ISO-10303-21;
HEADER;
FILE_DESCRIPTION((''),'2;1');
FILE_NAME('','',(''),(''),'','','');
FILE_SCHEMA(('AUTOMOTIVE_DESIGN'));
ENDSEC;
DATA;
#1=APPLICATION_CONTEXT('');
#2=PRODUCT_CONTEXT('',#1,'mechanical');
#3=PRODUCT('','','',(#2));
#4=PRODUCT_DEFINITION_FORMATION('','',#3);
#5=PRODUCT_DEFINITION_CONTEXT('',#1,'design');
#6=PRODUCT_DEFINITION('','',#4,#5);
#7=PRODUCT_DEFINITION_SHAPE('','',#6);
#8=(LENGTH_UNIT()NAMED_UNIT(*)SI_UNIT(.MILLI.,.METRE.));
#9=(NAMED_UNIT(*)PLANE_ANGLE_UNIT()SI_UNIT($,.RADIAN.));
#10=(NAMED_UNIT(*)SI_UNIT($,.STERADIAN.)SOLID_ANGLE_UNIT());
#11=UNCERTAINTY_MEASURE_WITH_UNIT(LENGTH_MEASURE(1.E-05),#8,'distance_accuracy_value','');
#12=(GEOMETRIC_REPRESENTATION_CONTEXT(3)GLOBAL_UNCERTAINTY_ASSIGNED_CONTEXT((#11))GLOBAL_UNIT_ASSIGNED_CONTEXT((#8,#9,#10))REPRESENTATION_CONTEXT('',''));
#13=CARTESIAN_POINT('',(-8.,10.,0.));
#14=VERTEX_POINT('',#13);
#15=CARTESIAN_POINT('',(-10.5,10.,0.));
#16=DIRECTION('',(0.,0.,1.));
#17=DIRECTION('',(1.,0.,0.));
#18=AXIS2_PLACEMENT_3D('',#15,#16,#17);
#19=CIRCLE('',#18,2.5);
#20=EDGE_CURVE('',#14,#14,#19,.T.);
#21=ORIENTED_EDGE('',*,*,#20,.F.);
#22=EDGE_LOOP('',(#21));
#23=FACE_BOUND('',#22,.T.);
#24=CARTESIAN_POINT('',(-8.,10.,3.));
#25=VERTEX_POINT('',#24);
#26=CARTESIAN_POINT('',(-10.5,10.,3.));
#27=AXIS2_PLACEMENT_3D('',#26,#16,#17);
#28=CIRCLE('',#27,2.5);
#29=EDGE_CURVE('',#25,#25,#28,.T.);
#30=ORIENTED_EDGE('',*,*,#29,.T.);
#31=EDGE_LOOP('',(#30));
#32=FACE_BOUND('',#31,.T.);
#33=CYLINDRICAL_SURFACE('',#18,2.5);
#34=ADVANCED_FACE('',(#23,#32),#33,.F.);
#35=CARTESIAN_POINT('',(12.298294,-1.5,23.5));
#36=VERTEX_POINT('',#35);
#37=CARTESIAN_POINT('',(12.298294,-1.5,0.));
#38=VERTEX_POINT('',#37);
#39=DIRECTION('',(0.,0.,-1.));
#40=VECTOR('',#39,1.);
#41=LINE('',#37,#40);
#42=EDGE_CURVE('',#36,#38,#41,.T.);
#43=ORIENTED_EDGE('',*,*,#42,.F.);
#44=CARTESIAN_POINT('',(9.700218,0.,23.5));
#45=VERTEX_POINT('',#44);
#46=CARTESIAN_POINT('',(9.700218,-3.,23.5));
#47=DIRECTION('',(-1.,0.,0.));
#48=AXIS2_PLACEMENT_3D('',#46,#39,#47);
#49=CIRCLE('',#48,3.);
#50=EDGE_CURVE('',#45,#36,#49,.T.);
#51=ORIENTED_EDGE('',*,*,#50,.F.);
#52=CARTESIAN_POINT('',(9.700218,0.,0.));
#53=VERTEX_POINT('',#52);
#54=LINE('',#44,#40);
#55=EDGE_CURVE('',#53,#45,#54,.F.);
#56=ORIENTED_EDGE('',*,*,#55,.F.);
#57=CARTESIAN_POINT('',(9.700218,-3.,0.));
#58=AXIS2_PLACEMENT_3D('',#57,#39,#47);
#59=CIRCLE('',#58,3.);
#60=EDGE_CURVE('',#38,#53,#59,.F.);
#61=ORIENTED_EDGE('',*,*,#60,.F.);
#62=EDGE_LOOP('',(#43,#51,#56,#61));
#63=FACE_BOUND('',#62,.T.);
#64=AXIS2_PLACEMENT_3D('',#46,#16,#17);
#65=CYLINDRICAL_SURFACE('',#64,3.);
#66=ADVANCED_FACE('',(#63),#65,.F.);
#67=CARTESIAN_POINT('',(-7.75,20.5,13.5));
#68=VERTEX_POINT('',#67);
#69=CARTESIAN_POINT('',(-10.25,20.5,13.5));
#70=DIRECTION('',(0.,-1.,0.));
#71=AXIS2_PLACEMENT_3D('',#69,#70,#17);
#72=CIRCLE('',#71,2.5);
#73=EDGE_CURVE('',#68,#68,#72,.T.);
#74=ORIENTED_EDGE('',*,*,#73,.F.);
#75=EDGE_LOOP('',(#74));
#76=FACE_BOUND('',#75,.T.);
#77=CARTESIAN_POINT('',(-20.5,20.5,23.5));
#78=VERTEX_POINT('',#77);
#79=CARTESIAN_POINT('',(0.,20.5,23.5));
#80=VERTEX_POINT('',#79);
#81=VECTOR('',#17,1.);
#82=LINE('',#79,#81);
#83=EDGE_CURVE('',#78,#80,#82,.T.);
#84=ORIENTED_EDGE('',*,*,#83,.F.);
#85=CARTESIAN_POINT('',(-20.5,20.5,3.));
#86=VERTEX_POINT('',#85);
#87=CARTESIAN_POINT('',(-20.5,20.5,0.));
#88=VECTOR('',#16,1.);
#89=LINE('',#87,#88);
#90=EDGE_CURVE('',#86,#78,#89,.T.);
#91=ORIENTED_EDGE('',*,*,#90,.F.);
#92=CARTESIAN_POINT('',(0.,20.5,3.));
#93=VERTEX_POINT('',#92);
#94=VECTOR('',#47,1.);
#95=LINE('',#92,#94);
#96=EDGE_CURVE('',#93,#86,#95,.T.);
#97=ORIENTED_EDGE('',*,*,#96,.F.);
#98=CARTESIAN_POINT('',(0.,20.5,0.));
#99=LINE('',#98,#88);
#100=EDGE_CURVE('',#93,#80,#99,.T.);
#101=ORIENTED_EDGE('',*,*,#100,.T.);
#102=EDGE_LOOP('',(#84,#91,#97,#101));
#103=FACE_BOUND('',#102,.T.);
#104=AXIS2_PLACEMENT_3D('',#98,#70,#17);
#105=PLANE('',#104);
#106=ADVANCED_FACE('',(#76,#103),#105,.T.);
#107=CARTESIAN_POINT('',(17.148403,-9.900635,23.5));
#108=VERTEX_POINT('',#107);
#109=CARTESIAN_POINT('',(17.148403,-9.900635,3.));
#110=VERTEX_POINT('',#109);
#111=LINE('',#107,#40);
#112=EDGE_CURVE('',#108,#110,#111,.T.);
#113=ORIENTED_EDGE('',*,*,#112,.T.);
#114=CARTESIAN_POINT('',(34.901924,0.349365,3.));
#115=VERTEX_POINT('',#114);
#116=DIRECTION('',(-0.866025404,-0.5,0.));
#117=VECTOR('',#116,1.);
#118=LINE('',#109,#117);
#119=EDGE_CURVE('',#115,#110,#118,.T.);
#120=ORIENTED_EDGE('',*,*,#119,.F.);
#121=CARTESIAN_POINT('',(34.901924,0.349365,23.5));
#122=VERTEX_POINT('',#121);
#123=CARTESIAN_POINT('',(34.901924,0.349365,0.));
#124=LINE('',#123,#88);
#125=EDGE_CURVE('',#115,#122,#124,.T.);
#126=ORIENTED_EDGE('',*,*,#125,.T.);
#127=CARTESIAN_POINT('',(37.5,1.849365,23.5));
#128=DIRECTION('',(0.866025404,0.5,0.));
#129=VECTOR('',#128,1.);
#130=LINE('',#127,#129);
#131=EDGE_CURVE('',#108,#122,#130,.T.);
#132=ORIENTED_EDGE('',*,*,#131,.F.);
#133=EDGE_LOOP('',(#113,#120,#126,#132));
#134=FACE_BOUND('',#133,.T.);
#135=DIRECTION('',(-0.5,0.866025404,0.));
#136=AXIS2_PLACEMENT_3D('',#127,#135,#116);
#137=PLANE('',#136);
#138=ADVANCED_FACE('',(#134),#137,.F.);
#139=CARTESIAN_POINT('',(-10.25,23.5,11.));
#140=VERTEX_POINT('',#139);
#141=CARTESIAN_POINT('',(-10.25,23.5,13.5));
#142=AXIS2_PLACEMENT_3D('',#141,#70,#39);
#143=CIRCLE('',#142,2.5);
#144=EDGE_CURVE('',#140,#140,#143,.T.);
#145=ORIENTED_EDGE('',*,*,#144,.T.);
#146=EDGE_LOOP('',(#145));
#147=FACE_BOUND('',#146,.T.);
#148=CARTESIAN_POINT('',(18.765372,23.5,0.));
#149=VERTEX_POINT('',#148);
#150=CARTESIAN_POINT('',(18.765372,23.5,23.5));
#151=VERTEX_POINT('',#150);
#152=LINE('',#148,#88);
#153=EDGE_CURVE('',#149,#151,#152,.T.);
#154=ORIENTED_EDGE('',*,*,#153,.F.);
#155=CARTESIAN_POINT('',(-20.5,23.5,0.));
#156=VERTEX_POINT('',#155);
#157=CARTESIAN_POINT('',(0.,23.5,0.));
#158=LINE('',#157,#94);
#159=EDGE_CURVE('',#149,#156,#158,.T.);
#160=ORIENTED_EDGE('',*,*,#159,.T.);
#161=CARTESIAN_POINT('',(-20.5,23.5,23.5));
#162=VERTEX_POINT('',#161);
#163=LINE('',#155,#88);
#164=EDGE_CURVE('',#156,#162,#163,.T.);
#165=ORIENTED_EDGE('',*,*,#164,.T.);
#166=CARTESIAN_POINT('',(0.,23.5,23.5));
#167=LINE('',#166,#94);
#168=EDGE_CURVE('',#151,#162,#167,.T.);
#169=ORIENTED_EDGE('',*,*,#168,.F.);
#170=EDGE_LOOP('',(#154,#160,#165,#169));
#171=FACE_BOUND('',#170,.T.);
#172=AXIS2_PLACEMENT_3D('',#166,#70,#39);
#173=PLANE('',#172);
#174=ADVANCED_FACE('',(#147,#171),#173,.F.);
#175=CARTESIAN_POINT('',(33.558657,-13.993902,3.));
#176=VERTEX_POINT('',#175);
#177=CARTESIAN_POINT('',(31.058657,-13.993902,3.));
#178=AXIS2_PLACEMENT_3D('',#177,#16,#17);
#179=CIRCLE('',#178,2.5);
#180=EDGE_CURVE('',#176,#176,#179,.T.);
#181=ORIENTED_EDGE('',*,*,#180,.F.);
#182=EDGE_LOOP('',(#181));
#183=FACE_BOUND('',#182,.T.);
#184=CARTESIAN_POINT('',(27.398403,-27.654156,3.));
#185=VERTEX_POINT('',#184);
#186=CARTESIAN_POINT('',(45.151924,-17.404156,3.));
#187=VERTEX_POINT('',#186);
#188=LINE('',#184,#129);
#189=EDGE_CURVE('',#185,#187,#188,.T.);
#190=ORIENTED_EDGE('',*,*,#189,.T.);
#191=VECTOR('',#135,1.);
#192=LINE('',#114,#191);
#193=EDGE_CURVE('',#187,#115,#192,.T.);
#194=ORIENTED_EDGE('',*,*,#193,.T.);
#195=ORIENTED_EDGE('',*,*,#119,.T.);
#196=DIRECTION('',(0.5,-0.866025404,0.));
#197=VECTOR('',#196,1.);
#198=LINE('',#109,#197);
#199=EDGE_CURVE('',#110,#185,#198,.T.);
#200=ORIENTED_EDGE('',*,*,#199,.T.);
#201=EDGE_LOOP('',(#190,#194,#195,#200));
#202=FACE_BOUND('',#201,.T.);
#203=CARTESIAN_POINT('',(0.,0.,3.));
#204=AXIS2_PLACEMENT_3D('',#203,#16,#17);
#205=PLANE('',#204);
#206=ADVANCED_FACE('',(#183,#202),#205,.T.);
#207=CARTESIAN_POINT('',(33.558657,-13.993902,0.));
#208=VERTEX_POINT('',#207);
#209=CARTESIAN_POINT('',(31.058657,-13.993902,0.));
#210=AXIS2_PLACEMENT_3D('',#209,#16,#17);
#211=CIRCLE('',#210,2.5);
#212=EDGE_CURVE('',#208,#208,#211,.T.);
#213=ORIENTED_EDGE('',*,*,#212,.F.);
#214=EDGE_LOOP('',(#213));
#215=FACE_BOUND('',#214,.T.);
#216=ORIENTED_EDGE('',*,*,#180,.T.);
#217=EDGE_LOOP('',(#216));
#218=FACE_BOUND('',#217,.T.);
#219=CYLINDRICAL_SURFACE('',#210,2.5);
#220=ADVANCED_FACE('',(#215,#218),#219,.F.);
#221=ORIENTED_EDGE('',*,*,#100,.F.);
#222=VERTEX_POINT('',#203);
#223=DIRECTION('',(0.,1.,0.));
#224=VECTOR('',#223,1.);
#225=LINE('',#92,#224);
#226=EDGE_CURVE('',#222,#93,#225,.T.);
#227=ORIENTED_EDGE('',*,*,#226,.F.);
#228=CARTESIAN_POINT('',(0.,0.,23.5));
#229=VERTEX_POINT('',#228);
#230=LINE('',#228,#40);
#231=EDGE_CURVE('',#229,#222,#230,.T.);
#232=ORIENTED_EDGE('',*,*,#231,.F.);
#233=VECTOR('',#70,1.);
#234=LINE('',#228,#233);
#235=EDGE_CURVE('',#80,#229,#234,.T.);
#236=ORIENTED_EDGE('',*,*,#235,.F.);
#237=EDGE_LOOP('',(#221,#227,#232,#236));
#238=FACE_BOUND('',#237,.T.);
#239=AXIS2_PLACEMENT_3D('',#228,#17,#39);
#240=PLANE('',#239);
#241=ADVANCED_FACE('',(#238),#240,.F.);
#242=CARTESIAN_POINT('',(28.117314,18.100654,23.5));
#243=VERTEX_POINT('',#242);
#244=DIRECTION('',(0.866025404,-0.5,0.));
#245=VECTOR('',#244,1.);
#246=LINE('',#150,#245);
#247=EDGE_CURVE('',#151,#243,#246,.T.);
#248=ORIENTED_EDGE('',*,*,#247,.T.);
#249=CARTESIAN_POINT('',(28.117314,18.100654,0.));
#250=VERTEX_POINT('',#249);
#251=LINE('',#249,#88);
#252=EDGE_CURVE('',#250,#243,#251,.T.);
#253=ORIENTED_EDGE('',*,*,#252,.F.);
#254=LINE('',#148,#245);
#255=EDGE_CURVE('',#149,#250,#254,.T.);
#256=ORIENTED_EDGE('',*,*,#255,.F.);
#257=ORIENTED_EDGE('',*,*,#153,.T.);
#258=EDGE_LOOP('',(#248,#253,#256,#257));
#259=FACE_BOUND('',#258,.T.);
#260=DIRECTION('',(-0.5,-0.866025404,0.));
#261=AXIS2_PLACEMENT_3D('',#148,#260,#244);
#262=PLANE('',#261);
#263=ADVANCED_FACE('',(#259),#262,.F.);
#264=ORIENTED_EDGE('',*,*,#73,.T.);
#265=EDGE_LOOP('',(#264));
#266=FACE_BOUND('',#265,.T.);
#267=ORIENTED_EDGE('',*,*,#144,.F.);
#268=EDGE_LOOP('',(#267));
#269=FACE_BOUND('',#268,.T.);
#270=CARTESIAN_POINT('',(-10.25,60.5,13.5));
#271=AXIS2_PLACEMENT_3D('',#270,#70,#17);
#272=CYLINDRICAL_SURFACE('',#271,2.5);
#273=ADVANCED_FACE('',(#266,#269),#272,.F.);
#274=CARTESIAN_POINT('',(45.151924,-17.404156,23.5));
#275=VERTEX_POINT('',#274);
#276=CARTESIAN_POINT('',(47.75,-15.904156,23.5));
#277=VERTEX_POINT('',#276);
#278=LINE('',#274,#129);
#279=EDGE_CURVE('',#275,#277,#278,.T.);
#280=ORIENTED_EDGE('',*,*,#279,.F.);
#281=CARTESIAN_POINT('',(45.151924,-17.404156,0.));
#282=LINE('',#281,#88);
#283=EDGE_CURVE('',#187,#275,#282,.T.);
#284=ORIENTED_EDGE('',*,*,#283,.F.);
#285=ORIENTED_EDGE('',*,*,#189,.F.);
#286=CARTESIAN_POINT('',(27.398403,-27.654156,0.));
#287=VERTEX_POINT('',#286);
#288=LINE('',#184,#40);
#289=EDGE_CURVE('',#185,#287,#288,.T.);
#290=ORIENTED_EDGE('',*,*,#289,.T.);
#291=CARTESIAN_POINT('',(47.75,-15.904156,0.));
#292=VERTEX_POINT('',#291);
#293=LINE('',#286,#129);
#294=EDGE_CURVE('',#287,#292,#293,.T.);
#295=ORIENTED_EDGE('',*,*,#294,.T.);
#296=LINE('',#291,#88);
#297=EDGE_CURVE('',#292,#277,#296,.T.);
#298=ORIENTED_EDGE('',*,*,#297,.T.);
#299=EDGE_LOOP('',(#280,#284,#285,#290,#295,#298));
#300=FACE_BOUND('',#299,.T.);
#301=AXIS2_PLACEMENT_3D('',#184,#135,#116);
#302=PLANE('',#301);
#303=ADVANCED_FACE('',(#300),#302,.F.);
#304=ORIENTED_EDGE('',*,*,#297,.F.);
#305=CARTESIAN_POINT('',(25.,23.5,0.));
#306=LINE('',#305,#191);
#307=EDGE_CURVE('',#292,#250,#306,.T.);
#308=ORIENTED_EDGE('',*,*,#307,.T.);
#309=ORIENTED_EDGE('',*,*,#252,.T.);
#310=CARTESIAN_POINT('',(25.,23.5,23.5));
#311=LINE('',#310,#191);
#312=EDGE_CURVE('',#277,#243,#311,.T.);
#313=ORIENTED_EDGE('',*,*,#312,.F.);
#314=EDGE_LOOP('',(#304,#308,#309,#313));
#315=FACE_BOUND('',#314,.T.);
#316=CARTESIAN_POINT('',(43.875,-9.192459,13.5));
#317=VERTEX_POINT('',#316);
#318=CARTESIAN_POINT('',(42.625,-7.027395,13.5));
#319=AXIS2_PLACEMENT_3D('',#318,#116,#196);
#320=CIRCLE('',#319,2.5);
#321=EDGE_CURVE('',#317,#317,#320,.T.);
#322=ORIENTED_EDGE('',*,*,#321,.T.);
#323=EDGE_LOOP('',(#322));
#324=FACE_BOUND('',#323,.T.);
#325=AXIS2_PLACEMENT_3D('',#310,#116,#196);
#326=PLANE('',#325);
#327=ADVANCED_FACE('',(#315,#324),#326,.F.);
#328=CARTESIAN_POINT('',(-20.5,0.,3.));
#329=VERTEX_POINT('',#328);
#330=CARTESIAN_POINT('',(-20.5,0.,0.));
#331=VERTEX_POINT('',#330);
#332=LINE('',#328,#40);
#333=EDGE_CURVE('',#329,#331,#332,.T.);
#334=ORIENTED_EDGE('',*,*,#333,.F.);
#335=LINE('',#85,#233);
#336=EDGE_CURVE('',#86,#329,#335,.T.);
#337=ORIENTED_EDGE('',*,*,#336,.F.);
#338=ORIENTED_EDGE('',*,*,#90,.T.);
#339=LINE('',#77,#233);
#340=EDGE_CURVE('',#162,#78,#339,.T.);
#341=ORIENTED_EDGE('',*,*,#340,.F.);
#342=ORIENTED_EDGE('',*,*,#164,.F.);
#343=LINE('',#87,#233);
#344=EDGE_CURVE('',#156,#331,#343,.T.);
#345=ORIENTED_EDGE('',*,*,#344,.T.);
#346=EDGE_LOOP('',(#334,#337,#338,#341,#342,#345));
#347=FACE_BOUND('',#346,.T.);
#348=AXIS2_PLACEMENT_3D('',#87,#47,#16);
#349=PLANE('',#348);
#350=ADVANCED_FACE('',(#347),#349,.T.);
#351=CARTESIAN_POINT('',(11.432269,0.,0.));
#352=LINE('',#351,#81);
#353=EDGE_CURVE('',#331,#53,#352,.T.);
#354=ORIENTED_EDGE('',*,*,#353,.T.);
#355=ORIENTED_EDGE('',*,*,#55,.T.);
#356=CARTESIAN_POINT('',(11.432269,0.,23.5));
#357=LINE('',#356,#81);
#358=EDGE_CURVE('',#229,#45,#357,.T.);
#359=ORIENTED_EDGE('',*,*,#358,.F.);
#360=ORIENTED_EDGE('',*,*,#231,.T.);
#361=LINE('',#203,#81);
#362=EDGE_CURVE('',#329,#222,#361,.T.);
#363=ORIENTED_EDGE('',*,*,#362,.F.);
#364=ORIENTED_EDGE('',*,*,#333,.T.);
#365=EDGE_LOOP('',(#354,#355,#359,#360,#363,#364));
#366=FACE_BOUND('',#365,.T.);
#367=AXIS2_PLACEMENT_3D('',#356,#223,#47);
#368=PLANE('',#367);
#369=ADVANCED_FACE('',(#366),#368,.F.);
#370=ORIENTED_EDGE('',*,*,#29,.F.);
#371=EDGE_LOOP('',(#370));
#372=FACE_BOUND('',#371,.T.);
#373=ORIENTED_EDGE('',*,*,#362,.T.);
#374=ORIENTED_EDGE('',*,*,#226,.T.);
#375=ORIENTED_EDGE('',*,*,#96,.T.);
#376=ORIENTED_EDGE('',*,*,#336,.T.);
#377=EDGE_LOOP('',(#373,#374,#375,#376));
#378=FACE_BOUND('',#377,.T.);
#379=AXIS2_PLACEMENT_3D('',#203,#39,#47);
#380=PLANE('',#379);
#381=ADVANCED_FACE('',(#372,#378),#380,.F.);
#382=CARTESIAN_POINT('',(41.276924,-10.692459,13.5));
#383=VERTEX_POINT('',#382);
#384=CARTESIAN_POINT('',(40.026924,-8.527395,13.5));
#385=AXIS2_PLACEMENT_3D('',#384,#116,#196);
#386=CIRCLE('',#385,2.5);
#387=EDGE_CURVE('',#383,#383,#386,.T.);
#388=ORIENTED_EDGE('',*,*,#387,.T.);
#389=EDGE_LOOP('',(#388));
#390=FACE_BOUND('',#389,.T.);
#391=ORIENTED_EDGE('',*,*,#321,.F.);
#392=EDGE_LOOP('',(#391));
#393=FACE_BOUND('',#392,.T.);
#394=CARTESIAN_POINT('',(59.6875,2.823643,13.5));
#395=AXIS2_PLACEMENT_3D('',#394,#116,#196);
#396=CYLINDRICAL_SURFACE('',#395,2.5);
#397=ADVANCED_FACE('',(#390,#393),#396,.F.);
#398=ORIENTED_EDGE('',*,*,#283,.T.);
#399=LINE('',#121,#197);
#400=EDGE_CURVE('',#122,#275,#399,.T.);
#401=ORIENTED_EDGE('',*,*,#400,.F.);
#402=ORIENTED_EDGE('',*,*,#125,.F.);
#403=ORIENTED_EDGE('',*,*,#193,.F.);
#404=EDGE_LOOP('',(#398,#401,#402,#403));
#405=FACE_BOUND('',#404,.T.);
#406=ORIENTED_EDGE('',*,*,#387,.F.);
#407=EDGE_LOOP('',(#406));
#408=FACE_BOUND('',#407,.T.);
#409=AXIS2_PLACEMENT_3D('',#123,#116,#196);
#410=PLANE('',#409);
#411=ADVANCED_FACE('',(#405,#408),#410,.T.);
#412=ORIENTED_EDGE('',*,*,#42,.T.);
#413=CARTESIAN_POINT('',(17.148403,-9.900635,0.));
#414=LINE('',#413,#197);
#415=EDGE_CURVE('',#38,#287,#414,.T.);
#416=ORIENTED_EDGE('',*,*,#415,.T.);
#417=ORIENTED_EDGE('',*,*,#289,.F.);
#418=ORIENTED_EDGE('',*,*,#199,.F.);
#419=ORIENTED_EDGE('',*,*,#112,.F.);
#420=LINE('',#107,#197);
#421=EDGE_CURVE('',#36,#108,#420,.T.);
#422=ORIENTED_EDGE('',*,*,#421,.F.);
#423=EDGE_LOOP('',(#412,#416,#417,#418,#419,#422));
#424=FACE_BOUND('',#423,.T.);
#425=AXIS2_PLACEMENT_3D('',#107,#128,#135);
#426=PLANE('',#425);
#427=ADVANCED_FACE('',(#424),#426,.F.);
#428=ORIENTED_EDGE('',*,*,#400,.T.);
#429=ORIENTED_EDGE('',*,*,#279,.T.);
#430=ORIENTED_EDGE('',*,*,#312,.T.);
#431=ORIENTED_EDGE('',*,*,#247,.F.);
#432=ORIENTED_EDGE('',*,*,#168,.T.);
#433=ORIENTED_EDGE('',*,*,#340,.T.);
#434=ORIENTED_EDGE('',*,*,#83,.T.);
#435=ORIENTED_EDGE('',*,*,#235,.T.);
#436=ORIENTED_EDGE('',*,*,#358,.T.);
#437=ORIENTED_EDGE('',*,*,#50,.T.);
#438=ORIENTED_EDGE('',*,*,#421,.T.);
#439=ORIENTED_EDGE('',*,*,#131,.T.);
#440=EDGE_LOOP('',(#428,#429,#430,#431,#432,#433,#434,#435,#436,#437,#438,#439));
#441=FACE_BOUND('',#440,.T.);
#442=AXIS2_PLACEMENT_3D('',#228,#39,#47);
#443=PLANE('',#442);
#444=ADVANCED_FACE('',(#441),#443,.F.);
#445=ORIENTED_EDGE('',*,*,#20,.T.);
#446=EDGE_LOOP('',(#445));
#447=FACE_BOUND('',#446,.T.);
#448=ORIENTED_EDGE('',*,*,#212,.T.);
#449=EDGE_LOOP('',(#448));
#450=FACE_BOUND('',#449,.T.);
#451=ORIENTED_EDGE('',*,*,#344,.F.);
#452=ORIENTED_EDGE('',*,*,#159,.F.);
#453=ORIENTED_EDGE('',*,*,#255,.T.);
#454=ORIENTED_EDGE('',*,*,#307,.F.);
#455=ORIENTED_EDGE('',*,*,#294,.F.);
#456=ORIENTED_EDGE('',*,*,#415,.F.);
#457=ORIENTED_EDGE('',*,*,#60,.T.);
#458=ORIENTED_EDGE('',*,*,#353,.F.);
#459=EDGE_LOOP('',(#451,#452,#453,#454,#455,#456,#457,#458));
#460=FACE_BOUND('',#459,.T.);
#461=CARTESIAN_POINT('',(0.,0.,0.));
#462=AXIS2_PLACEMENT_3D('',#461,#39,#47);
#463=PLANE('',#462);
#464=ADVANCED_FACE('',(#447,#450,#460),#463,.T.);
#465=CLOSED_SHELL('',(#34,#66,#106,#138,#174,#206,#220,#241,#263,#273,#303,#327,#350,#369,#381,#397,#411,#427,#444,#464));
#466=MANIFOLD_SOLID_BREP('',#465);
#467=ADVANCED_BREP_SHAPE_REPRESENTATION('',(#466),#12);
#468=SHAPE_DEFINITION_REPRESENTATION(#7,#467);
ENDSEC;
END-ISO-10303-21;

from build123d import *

# Parameters (mm, degrees)
BOSS_EXTRUDE1_DEPTH   = 23.5
BOSS_EXTRUDE2_DEPTH   = 3
SKETCH2_W             = 20.5
SKETCH2_H             = 20.5
BOSS_EXTRUDE2_2_DEPTH = 3
SKETCH5_W             = 20.5
SKETCH5_H             = 3
BOSS_EXTRUDE4_DEPTH   = 23.5
FILLET5_R             = 3
CUT_EXTRUDE5_DEPTH    = 60.975535321
SKETCH16_R            = 2.5
CUT_EXTRUDE7_DEPTH    = 40
SKETCH17_R            = 2.5
CUT_EXTRUDE8_DEPTH    = 68.687454275
SKETCH23_R            = 2.5
CUT_EXTRUDE14_DEPTH   = 59.864801342


with BuildPart() as part:
    # Sketch1 → Boss-Extrude1 (new body)
    with BuildSketch(Plane.XY):
        Polygon((0, 0), (0, 23.5), (25, 23.5), (37.5, 1.849364905), (17.148403011, -9.900635095), (11.432268674, 0), align=None)
    extrude(amount=BOSS_EXTRUDE1_DEPTH)



with BuildPart() as body_2:
    # Sketch2 → Boss-Extrude2 (new body)
    with BuildSketch(Plane.XY):
        Polygon((17.148403011, -9.900635095), (34.901923789, 0.349364905), (45.151923789, -17.404155872), (27.398403011, -27.654155872), align=None)
    extrude(amount=BOSS_EXTRUDE2_DEPTH)


with BuildPart() as body_3:
    # Sketch2 → Boss-Extrude2 2 (new body)
    with BuildSketch(Plane.XY):
        with Locations((-10.25, 10.25)):
            Rectangle(SKETCH2_W, SKETCH2_H)
    extrude(amount=BOSS_EXTRUDE2_2_DEPTH)


with BuildPart() as part_1:
    add(part.part)

    add(body_2.part)  # Boss-Extrude4 merges body 2

    add(body_3.part)  # Boss-Extrude4 merges body 3
    # Sketch5 → Boss-Extrude4 (add)
    with BuildSketch(Plane.XY.offset(23.5)):
        with Locations((-10.25, 22)):
            Rectangle(SKETCH5_W, SKETCH5_H)
        Polygon((34.901923789, 0.349364905), (37.5, 1.849364905), (47.75, -15.904155872), (45.151923789, -17.404155872), align=None)
    extrude(amount=-BOSS_EXTRUDE4_DEPTH)

    # Fillet5
    fillet5_edges = [part_1.edges().sort_by_distance(p)[0] for p in [
        (11.432268674, 0, 11.75),
    ]]
    fillet(fillet5_edges, radius=FILLET5_R)

    # Sketch14 → Cut-Extrude5 (cut, through all)
    with BuildSketch(Plane.XY.offset(23.5)):
        Polygon((18.765371804, 23.5), (28.117314098, 18.100653599), (30.117314098, 21.564755215), (20.765371804, 26.964101615), align=None)
    extrude(amount=-CUT_EXTRUDE5_DEPTH, mode=Mode.SUBTRACT)

    # Sketch16 → Cut-Extrude7 (cut)
    with BuildSketch(Plane.XZ.offset(-20.5)):
        with Locations((-10.25, 13.5)):
            Circle(SKETCH16_R)
    extrude(amount=-CUT_EXTRUDE7_DEPTH, mode=Mode.SUBTRACT)

    # Sketch17 → Cut-Extrude8 (cut, through all)
    with BuildSketch(Plane(origin=(26.327722283, 15.200317547, 0), x_dir=(0, 0, 1), z_dir=(-0.8660254037844385, -0.5000000000000003, 0))):
        with Locations(Location((13.5, -27.398403011, 0), (0, 0, 270))):
            Circle(SKETCH17_R)
    extrude(amount=-CUT_EXTRUDE8_DEPTH, mode=Mode.SUBTRACT)

    # Sketch23 → Cut-Extrude14 (cut, through all)
    with BuildSketch(Plane.XY.offset(3)):
        with Locations((-10.5, 10)):
            Circle(SKETCH23_R)
        with Locations((31.058657049, -13.993901834)):
            Circle(SKETCH23_R)
    extrude(amount=-CUT_EXTRUDE14_DEPTH, mode=Mode.SUBTRACT)


solid = part_1.part
